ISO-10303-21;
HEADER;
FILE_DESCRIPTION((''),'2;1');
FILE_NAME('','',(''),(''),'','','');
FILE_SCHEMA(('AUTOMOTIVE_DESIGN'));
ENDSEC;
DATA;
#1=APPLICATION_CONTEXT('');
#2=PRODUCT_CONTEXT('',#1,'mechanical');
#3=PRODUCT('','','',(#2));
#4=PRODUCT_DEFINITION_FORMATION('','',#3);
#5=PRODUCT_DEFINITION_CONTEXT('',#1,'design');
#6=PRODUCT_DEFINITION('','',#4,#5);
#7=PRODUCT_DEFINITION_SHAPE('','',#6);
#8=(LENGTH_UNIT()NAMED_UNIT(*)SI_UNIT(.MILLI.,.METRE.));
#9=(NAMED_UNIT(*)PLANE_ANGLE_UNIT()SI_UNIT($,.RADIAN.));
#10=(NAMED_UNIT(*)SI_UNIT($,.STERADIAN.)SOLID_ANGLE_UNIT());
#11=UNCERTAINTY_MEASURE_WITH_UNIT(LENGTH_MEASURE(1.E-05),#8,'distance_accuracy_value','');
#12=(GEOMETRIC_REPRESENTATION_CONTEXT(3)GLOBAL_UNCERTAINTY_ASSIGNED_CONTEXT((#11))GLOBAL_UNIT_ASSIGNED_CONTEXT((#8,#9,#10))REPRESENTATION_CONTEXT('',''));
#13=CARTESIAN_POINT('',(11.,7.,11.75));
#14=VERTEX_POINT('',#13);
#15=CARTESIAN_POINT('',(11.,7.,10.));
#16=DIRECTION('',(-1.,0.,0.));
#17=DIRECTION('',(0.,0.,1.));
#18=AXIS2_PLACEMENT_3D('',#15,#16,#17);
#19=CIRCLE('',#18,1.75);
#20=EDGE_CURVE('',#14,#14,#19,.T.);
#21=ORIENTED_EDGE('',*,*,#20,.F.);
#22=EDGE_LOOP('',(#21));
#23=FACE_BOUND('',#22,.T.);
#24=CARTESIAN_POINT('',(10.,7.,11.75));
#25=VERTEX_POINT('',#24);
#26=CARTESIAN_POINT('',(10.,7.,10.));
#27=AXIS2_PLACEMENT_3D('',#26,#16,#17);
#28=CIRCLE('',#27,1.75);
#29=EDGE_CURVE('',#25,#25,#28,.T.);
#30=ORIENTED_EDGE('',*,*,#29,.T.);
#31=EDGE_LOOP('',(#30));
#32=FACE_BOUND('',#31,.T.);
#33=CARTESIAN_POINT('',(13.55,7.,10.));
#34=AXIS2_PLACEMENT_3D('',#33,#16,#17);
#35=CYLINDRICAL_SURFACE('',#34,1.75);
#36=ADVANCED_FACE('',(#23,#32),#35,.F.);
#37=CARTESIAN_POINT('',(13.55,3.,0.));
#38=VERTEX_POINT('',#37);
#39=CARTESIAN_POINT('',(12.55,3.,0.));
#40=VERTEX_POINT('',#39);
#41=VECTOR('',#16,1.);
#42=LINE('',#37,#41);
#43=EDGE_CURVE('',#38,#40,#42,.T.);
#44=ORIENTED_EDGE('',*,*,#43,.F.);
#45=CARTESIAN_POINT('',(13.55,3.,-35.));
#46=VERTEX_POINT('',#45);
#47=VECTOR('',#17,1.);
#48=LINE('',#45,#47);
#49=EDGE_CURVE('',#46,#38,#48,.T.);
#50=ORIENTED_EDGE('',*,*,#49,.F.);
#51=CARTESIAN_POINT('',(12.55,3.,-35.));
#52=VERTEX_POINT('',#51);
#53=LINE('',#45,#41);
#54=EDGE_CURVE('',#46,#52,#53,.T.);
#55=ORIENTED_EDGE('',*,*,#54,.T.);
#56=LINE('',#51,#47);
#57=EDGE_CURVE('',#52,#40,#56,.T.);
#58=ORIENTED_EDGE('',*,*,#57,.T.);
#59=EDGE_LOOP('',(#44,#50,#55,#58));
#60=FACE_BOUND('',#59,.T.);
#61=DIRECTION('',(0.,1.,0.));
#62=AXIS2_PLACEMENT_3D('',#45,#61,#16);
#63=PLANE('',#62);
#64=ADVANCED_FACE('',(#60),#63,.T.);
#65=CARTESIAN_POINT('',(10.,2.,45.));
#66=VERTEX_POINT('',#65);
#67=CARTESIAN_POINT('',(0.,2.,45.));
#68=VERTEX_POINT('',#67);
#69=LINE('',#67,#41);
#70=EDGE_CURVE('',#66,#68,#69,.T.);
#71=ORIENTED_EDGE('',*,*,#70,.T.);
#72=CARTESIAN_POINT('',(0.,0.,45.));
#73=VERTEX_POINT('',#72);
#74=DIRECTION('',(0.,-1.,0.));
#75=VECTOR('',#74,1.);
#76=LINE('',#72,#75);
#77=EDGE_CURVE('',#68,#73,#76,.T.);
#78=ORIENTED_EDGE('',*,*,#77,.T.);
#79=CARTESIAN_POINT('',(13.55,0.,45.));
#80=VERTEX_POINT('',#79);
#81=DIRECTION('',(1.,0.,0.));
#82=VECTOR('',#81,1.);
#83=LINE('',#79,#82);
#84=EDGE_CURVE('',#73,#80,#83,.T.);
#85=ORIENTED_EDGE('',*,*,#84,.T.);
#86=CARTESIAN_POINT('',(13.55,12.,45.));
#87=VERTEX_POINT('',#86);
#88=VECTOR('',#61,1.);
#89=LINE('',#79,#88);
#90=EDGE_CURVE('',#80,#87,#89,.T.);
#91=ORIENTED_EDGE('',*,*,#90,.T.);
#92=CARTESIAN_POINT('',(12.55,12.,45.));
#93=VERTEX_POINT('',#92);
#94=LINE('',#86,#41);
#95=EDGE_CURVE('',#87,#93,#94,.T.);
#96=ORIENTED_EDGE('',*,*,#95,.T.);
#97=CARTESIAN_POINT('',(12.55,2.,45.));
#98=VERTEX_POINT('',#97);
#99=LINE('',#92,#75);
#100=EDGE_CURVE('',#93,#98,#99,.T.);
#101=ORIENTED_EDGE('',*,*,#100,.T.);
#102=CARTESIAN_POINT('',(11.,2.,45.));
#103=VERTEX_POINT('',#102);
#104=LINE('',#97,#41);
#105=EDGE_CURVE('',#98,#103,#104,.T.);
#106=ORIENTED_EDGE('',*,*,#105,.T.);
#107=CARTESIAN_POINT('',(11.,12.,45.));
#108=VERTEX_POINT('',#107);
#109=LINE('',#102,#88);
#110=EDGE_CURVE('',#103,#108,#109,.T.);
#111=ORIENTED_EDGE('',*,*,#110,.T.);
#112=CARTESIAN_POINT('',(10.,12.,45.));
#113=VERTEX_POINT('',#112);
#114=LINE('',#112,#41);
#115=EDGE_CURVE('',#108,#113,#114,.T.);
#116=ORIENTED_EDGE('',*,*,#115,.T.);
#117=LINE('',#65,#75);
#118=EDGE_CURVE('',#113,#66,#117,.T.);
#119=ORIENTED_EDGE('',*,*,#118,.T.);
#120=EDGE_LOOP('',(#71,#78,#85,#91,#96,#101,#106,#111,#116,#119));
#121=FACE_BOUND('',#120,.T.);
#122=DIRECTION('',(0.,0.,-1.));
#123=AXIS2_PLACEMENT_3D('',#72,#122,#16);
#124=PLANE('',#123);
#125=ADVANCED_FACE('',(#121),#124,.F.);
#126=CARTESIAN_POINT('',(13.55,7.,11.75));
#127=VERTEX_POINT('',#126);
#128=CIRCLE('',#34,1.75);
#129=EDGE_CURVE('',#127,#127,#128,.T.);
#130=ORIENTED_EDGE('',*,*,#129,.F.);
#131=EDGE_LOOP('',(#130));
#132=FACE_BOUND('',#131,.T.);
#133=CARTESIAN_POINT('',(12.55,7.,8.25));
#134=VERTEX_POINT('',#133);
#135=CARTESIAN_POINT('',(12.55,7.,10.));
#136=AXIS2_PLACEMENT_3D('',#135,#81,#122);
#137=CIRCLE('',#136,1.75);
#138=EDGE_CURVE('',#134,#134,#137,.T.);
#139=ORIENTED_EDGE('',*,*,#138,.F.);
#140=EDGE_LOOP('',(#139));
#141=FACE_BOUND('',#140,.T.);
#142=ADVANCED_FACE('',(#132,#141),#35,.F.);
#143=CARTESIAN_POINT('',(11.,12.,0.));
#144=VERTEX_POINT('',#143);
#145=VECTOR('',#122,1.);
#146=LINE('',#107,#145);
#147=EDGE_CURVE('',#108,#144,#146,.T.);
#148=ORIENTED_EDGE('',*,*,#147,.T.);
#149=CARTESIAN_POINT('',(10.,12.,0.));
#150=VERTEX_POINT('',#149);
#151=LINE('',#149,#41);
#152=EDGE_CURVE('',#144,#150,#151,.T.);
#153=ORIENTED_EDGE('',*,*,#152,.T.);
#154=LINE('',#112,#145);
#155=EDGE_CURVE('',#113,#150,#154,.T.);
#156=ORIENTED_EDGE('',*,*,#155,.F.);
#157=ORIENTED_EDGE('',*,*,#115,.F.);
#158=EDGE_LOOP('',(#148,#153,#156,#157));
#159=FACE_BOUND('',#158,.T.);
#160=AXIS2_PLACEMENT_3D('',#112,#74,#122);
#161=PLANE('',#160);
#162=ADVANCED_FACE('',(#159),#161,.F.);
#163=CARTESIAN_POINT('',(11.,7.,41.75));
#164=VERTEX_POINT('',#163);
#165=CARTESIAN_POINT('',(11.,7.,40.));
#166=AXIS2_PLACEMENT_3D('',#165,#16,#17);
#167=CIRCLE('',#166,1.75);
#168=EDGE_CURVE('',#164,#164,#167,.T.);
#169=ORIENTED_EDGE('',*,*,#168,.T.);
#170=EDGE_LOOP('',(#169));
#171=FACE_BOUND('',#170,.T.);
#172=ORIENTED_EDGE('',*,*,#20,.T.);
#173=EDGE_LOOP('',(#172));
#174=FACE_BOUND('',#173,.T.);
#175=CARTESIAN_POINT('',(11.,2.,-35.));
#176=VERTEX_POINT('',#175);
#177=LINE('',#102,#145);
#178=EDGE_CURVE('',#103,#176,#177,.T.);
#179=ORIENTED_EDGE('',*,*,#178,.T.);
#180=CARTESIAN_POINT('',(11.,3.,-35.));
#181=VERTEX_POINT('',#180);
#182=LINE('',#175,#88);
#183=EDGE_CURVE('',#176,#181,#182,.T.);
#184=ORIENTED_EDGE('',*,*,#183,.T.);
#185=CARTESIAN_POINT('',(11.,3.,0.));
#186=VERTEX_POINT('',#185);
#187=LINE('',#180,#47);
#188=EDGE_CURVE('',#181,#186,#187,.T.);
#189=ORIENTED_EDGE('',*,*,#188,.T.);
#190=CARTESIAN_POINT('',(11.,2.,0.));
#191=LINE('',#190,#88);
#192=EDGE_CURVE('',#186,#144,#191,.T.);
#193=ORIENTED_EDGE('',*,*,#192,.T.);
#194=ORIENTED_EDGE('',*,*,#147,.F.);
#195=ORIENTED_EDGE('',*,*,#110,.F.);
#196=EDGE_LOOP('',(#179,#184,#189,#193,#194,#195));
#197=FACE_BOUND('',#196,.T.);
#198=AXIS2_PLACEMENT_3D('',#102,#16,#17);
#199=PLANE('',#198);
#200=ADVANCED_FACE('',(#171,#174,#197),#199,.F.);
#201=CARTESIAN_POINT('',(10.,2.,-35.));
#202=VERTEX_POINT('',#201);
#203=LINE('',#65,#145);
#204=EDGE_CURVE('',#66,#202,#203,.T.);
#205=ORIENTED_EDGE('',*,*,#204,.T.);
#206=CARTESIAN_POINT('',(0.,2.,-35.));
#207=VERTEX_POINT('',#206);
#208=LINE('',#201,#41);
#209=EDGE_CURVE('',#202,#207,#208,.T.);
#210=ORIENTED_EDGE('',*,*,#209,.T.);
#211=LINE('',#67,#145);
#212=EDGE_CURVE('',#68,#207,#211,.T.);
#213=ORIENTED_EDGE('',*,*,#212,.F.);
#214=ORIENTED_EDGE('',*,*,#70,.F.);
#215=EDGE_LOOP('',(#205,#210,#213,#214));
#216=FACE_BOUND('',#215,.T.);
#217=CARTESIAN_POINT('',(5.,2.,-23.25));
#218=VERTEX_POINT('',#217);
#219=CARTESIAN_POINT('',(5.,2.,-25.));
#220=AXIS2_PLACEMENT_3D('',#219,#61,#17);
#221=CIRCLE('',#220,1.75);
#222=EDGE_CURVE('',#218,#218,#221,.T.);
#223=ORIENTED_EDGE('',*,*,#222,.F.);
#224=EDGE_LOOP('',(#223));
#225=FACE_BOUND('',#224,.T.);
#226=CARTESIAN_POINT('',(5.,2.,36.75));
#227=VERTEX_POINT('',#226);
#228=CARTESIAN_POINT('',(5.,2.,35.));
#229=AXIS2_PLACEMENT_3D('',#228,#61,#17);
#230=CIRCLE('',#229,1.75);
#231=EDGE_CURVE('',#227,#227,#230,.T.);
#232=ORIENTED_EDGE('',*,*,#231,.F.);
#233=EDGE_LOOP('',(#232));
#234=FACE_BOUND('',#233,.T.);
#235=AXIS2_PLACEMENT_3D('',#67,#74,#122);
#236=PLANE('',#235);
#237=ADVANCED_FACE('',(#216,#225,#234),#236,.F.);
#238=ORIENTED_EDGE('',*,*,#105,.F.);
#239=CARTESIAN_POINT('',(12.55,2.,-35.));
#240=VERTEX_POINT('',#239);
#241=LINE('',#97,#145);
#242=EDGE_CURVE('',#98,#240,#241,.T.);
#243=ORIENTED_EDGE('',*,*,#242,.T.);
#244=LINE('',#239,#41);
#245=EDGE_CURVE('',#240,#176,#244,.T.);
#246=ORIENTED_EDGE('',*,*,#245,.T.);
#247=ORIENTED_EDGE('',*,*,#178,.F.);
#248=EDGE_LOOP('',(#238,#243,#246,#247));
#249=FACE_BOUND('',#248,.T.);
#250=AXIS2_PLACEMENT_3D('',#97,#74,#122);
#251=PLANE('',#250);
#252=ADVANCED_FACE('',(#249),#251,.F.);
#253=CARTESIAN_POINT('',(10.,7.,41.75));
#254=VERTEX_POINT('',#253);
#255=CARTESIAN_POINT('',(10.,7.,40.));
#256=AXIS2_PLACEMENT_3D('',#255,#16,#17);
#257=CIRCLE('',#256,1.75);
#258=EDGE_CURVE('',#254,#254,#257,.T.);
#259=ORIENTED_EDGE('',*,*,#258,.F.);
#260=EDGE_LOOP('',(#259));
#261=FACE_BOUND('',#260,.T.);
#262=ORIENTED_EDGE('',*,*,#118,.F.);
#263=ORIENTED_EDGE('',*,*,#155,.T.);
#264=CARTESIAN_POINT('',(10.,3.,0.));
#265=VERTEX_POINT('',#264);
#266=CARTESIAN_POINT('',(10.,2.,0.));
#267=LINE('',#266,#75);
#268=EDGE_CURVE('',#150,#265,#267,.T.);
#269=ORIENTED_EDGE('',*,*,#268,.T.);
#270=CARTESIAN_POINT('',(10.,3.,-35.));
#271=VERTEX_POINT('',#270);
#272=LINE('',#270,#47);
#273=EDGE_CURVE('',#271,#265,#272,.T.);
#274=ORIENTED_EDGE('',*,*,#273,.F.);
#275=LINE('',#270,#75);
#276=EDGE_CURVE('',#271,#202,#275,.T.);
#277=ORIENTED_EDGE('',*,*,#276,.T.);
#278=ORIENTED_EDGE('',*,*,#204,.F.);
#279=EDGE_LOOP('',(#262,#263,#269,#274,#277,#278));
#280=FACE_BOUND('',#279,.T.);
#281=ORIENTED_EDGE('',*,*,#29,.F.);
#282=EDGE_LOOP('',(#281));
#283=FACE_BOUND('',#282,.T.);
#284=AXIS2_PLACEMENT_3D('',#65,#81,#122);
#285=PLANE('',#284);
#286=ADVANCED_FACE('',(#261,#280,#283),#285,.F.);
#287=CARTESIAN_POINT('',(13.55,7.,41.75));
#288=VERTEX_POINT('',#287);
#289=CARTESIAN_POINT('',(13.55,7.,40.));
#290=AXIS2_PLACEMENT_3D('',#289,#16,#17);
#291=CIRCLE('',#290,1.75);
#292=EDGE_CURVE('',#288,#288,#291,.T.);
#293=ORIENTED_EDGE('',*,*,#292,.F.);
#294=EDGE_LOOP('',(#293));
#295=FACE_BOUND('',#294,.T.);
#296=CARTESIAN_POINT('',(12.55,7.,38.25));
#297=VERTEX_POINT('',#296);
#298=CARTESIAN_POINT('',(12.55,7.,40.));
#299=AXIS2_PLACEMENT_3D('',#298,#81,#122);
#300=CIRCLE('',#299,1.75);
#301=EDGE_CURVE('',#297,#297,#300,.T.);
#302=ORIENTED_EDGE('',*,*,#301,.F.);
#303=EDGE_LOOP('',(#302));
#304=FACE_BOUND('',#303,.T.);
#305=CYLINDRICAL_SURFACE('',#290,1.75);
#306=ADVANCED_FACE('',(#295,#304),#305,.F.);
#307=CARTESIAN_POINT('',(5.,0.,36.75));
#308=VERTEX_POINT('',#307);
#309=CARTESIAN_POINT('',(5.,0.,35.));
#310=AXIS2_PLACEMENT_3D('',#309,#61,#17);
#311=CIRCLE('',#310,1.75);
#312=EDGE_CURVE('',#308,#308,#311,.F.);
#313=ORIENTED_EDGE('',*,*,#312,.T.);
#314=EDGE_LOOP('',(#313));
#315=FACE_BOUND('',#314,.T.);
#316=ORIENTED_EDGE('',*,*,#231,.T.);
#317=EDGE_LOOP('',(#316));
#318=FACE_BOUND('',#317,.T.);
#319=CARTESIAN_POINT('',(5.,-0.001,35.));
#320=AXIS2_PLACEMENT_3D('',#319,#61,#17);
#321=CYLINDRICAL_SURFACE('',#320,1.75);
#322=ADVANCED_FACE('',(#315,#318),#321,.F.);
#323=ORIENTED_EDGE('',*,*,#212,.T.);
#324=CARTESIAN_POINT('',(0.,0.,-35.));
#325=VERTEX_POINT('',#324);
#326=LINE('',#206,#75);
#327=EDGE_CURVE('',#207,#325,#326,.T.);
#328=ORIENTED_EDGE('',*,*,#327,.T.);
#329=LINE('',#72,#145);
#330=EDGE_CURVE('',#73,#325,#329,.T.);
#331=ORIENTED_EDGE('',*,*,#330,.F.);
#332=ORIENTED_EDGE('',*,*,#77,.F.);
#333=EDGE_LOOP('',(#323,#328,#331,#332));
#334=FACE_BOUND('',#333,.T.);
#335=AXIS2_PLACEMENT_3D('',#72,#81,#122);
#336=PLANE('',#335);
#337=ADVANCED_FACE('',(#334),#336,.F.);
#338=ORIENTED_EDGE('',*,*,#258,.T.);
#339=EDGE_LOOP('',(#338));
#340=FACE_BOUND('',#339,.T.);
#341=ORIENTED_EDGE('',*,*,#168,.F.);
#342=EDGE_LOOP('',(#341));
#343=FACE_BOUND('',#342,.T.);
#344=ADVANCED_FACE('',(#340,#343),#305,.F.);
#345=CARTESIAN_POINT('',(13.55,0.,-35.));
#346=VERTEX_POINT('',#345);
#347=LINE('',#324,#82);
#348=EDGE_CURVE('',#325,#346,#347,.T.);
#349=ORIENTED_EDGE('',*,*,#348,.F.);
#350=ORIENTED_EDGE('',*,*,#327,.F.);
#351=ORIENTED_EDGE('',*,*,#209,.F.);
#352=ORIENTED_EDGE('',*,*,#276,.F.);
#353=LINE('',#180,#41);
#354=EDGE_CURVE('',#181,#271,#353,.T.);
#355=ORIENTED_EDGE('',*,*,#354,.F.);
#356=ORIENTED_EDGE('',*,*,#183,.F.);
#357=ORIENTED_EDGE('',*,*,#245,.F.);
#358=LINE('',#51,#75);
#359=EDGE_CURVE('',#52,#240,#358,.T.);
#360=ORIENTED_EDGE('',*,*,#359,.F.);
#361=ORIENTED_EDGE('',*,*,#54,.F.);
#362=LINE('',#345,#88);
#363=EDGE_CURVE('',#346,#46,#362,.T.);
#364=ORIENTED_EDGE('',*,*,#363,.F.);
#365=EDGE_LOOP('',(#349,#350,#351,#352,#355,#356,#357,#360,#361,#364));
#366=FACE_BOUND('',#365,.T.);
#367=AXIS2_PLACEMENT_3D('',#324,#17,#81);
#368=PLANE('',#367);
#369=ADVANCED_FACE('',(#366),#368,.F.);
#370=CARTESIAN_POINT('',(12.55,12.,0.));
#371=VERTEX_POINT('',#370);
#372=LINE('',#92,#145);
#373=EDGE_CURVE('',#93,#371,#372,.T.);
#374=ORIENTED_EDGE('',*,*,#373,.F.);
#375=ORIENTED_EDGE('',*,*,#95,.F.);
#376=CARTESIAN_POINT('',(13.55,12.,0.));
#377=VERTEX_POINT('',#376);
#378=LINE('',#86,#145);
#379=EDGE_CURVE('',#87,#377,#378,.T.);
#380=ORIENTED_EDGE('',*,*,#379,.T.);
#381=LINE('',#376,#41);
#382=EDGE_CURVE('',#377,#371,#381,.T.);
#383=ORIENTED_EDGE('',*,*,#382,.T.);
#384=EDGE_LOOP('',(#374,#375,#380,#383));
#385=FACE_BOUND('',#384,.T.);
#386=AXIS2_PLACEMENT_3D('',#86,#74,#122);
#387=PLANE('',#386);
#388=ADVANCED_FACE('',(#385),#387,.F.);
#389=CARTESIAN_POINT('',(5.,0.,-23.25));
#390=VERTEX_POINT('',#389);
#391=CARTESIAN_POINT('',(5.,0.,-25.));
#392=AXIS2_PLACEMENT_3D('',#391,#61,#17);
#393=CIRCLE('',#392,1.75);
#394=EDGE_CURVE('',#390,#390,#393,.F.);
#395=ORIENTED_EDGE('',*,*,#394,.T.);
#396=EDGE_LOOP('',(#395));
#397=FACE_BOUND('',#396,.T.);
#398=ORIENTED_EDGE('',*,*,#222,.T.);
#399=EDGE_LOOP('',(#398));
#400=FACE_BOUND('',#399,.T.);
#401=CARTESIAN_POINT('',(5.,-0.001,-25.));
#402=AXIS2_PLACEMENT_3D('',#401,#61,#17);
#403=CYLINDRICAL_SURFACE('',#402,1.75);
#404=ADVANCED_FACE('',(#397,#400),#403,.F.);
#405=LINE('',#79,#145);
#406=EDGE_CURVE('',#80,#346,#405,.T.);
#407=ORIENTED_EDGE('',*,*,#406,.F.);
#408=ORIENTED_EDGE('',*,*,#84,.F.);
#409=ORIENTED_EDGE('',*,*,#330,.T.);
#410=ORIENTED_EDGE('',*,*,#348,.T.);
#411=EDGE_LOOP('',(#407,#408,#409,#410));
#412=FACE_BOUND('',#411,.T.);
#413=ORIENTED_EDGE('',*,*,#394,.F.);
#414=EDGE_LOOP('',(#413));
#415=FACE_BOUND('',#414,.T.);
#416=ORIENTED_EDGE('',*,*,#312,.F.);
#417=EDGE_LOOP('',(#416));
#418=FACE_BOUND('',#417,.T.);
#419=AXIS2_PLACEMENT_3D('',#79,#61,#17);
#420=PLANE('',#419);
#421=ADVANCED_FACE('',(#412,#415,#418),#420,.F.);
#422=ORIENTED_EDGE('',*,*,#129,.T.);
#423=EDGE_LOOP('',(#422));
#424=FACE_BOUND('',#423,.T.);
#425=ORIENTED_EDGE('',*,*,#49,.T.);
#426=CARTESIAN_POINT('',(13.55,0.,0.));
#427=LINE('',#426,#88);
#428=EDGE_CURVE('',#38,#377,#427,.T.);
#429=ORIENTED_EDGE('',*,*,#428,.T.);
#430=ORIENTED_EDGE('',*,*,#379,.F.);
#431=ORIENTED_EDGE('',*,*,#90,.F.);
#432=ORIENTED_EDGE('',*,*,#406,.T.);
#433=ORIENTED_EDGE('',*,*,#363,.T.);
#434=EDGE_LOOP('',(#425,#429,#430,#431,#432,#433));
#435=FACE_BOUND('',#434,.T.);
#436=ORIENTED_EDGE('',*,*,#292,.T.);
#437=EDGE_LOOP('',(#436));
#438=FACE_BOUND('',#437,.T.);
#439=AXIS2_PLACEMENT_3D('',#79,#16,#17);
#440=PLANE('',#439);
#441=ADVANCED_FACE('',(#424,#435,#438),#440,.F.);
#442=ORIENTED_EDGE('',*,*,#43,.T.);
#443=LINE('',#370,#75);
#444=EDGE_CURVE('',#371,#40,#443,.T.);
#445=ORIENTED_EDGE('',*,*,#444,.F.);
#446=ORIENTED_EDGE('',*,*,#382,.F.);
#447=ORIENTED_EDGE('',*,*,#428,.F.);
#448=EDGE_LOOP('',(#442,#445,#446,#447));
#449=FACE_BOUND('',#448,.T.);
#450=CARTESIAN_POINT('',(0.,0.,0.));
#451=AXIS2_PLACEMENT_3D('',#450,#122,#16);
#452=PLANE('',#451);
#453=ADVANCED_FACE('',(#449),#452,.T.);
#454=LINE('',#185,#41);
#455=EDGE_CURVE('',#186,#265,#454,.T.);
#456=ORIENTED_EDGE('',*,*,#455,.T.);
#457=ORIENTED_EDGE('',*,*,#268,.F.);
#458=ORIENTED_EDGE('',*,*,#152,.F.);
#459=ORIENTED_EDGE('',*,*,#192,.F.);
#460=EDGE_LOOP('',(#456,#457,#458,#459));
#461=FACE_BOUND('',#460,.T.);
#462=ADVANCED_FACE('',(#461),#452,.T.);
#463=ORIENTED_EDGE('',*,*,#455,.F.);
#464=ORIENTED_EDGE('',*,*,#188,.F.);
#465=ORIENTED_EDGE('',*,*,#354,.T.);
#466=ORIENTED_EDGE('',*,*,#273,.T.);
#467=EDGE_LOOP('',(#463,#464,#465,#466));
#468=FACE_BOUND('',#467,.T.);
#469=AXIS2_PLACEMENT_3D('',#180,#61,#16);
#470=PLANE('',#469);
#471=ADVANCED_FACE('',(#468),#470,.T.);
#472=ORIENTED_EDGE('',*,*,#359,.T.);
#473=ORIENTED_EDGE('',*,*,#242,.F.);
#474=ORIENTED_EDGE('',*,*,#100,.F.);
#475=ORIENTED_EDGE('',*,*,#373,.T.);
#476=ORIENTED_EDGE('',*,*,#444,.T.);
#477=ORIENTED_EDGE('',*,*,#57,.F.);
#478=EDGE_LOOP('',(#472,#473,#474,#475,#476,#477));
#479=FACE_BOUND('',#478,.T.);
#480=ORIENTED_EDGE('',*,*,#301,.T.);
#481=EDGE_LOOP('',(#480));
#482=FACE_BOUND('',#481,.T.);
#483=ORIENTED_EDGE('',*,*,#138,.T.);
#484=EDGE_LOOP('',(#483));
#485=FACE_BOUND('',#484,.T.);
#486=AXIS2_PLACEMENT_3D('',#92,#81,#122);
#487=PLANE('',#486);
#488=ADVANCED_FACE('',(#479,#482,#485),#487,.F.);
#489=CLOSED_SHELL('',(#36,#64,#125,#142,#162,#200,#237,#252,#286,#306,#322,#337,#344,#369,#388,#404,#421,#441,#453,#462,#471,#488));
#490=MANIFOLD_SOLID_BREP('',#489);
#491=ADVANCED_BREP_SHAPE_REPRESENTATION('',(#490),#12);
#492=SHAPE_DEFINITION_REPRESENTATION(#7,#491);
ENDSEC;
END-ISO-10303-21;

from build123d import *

# Parameters (mm, degrees)
BOSS_EXTRUDE1_DEPTH = 45
BOSS_EXTRUDE2_DEPTH = 35
SKETCH2_R           = 1.75
CUT_EXTRUDE1_DEPTH  = 4.55
CUT_EXTRUDE2_REACH  = 4
SKETCH3_R           = 1.75


with BuildPart() as part:
    # Sketch1 → Boss-Extrude1 (new body)
    with BuildSketch(Plane.XY):
        Polygon((0, 0), (0, 2), (10, 2), (10, 12), (11, 12), (11, 2), (12.55, 2), (12.55, 12), (13.55, 12), (13.55, 0), align=None)
    extrude(amount=BOSS_EXTRUDE1_DEPTH)

    # Sketch4 → Boss-Extrude2 (add)
    with BuildSketch(Plane.XY):
        Polygon((0, 2), (0, 0), (13.55, 0), (13.55, 3), (12.55, 3), (12.55, 2), (11, 2), (11, 3), (10, 3), (10, 2), align=None)
    extrude(amount=-BOSS_EXTRUDE2_DEPTH)

    # Sketch2 → Cut-Extrude1 (cut, through all)
    with BuildSketch(Plane.ZY.offset(-10)):
        with Locations((40, 7)):
            Circle(SKETCH2_R)
        with Locations((10, 7)):
            Circle(SKETCH2_R)
    extrude(amount=-CUT_EXTRUDE1_DEPTH, mode=Mode.SUBTRACT)

    # Sketch3 → Cut-Extrude2 (cut, up to next)
    with BuildSketch(Plane(origin=(0, 2, 0), x_dir=(1, 0, 0), z_dir=(0, 1, 0)), mode=Mode.PRIVATE) as cut_extrude2_sk1:
        with Locations((5, 25)):
            Circle(SKETCH3_R)
    cut_extrude2_tool1 = extrude(cut_extrude2_sk1.sketch, amount=-CUT_EXTRUDE2_REACH, mode=Mode.PRIVATE) & part.part
    add(cut_extrude2_tool1.solids().sort_by_distance((5, 2, -25))[0], mode=Mode.SUBTRACT)
    # Sketch3 → Cut-Extrude2 (cut, up to next)
    with BuildSketch(Plane(origin=(0, 2, 0), x_dir=(1, 0, 0), z_dir=(0, 1, 0)), mode=Mode.PRIVATE) as cut_extrude2_sk2:
        with Locations((5, -35)):
            Circle(SKETCH3_R)
    cut_extrude2_tool2 = extrude(cut_extrude2_sk2.sketch, amount=-CUT_EXTRUDE2_REACH, mode=Mode.PRIVATE) & part.part
    add(cut_extrude2_tool2.solids().sort_by_distance((5, 2, 35))[0], mode=Mode.SUBTRACT)


solid = part.part
